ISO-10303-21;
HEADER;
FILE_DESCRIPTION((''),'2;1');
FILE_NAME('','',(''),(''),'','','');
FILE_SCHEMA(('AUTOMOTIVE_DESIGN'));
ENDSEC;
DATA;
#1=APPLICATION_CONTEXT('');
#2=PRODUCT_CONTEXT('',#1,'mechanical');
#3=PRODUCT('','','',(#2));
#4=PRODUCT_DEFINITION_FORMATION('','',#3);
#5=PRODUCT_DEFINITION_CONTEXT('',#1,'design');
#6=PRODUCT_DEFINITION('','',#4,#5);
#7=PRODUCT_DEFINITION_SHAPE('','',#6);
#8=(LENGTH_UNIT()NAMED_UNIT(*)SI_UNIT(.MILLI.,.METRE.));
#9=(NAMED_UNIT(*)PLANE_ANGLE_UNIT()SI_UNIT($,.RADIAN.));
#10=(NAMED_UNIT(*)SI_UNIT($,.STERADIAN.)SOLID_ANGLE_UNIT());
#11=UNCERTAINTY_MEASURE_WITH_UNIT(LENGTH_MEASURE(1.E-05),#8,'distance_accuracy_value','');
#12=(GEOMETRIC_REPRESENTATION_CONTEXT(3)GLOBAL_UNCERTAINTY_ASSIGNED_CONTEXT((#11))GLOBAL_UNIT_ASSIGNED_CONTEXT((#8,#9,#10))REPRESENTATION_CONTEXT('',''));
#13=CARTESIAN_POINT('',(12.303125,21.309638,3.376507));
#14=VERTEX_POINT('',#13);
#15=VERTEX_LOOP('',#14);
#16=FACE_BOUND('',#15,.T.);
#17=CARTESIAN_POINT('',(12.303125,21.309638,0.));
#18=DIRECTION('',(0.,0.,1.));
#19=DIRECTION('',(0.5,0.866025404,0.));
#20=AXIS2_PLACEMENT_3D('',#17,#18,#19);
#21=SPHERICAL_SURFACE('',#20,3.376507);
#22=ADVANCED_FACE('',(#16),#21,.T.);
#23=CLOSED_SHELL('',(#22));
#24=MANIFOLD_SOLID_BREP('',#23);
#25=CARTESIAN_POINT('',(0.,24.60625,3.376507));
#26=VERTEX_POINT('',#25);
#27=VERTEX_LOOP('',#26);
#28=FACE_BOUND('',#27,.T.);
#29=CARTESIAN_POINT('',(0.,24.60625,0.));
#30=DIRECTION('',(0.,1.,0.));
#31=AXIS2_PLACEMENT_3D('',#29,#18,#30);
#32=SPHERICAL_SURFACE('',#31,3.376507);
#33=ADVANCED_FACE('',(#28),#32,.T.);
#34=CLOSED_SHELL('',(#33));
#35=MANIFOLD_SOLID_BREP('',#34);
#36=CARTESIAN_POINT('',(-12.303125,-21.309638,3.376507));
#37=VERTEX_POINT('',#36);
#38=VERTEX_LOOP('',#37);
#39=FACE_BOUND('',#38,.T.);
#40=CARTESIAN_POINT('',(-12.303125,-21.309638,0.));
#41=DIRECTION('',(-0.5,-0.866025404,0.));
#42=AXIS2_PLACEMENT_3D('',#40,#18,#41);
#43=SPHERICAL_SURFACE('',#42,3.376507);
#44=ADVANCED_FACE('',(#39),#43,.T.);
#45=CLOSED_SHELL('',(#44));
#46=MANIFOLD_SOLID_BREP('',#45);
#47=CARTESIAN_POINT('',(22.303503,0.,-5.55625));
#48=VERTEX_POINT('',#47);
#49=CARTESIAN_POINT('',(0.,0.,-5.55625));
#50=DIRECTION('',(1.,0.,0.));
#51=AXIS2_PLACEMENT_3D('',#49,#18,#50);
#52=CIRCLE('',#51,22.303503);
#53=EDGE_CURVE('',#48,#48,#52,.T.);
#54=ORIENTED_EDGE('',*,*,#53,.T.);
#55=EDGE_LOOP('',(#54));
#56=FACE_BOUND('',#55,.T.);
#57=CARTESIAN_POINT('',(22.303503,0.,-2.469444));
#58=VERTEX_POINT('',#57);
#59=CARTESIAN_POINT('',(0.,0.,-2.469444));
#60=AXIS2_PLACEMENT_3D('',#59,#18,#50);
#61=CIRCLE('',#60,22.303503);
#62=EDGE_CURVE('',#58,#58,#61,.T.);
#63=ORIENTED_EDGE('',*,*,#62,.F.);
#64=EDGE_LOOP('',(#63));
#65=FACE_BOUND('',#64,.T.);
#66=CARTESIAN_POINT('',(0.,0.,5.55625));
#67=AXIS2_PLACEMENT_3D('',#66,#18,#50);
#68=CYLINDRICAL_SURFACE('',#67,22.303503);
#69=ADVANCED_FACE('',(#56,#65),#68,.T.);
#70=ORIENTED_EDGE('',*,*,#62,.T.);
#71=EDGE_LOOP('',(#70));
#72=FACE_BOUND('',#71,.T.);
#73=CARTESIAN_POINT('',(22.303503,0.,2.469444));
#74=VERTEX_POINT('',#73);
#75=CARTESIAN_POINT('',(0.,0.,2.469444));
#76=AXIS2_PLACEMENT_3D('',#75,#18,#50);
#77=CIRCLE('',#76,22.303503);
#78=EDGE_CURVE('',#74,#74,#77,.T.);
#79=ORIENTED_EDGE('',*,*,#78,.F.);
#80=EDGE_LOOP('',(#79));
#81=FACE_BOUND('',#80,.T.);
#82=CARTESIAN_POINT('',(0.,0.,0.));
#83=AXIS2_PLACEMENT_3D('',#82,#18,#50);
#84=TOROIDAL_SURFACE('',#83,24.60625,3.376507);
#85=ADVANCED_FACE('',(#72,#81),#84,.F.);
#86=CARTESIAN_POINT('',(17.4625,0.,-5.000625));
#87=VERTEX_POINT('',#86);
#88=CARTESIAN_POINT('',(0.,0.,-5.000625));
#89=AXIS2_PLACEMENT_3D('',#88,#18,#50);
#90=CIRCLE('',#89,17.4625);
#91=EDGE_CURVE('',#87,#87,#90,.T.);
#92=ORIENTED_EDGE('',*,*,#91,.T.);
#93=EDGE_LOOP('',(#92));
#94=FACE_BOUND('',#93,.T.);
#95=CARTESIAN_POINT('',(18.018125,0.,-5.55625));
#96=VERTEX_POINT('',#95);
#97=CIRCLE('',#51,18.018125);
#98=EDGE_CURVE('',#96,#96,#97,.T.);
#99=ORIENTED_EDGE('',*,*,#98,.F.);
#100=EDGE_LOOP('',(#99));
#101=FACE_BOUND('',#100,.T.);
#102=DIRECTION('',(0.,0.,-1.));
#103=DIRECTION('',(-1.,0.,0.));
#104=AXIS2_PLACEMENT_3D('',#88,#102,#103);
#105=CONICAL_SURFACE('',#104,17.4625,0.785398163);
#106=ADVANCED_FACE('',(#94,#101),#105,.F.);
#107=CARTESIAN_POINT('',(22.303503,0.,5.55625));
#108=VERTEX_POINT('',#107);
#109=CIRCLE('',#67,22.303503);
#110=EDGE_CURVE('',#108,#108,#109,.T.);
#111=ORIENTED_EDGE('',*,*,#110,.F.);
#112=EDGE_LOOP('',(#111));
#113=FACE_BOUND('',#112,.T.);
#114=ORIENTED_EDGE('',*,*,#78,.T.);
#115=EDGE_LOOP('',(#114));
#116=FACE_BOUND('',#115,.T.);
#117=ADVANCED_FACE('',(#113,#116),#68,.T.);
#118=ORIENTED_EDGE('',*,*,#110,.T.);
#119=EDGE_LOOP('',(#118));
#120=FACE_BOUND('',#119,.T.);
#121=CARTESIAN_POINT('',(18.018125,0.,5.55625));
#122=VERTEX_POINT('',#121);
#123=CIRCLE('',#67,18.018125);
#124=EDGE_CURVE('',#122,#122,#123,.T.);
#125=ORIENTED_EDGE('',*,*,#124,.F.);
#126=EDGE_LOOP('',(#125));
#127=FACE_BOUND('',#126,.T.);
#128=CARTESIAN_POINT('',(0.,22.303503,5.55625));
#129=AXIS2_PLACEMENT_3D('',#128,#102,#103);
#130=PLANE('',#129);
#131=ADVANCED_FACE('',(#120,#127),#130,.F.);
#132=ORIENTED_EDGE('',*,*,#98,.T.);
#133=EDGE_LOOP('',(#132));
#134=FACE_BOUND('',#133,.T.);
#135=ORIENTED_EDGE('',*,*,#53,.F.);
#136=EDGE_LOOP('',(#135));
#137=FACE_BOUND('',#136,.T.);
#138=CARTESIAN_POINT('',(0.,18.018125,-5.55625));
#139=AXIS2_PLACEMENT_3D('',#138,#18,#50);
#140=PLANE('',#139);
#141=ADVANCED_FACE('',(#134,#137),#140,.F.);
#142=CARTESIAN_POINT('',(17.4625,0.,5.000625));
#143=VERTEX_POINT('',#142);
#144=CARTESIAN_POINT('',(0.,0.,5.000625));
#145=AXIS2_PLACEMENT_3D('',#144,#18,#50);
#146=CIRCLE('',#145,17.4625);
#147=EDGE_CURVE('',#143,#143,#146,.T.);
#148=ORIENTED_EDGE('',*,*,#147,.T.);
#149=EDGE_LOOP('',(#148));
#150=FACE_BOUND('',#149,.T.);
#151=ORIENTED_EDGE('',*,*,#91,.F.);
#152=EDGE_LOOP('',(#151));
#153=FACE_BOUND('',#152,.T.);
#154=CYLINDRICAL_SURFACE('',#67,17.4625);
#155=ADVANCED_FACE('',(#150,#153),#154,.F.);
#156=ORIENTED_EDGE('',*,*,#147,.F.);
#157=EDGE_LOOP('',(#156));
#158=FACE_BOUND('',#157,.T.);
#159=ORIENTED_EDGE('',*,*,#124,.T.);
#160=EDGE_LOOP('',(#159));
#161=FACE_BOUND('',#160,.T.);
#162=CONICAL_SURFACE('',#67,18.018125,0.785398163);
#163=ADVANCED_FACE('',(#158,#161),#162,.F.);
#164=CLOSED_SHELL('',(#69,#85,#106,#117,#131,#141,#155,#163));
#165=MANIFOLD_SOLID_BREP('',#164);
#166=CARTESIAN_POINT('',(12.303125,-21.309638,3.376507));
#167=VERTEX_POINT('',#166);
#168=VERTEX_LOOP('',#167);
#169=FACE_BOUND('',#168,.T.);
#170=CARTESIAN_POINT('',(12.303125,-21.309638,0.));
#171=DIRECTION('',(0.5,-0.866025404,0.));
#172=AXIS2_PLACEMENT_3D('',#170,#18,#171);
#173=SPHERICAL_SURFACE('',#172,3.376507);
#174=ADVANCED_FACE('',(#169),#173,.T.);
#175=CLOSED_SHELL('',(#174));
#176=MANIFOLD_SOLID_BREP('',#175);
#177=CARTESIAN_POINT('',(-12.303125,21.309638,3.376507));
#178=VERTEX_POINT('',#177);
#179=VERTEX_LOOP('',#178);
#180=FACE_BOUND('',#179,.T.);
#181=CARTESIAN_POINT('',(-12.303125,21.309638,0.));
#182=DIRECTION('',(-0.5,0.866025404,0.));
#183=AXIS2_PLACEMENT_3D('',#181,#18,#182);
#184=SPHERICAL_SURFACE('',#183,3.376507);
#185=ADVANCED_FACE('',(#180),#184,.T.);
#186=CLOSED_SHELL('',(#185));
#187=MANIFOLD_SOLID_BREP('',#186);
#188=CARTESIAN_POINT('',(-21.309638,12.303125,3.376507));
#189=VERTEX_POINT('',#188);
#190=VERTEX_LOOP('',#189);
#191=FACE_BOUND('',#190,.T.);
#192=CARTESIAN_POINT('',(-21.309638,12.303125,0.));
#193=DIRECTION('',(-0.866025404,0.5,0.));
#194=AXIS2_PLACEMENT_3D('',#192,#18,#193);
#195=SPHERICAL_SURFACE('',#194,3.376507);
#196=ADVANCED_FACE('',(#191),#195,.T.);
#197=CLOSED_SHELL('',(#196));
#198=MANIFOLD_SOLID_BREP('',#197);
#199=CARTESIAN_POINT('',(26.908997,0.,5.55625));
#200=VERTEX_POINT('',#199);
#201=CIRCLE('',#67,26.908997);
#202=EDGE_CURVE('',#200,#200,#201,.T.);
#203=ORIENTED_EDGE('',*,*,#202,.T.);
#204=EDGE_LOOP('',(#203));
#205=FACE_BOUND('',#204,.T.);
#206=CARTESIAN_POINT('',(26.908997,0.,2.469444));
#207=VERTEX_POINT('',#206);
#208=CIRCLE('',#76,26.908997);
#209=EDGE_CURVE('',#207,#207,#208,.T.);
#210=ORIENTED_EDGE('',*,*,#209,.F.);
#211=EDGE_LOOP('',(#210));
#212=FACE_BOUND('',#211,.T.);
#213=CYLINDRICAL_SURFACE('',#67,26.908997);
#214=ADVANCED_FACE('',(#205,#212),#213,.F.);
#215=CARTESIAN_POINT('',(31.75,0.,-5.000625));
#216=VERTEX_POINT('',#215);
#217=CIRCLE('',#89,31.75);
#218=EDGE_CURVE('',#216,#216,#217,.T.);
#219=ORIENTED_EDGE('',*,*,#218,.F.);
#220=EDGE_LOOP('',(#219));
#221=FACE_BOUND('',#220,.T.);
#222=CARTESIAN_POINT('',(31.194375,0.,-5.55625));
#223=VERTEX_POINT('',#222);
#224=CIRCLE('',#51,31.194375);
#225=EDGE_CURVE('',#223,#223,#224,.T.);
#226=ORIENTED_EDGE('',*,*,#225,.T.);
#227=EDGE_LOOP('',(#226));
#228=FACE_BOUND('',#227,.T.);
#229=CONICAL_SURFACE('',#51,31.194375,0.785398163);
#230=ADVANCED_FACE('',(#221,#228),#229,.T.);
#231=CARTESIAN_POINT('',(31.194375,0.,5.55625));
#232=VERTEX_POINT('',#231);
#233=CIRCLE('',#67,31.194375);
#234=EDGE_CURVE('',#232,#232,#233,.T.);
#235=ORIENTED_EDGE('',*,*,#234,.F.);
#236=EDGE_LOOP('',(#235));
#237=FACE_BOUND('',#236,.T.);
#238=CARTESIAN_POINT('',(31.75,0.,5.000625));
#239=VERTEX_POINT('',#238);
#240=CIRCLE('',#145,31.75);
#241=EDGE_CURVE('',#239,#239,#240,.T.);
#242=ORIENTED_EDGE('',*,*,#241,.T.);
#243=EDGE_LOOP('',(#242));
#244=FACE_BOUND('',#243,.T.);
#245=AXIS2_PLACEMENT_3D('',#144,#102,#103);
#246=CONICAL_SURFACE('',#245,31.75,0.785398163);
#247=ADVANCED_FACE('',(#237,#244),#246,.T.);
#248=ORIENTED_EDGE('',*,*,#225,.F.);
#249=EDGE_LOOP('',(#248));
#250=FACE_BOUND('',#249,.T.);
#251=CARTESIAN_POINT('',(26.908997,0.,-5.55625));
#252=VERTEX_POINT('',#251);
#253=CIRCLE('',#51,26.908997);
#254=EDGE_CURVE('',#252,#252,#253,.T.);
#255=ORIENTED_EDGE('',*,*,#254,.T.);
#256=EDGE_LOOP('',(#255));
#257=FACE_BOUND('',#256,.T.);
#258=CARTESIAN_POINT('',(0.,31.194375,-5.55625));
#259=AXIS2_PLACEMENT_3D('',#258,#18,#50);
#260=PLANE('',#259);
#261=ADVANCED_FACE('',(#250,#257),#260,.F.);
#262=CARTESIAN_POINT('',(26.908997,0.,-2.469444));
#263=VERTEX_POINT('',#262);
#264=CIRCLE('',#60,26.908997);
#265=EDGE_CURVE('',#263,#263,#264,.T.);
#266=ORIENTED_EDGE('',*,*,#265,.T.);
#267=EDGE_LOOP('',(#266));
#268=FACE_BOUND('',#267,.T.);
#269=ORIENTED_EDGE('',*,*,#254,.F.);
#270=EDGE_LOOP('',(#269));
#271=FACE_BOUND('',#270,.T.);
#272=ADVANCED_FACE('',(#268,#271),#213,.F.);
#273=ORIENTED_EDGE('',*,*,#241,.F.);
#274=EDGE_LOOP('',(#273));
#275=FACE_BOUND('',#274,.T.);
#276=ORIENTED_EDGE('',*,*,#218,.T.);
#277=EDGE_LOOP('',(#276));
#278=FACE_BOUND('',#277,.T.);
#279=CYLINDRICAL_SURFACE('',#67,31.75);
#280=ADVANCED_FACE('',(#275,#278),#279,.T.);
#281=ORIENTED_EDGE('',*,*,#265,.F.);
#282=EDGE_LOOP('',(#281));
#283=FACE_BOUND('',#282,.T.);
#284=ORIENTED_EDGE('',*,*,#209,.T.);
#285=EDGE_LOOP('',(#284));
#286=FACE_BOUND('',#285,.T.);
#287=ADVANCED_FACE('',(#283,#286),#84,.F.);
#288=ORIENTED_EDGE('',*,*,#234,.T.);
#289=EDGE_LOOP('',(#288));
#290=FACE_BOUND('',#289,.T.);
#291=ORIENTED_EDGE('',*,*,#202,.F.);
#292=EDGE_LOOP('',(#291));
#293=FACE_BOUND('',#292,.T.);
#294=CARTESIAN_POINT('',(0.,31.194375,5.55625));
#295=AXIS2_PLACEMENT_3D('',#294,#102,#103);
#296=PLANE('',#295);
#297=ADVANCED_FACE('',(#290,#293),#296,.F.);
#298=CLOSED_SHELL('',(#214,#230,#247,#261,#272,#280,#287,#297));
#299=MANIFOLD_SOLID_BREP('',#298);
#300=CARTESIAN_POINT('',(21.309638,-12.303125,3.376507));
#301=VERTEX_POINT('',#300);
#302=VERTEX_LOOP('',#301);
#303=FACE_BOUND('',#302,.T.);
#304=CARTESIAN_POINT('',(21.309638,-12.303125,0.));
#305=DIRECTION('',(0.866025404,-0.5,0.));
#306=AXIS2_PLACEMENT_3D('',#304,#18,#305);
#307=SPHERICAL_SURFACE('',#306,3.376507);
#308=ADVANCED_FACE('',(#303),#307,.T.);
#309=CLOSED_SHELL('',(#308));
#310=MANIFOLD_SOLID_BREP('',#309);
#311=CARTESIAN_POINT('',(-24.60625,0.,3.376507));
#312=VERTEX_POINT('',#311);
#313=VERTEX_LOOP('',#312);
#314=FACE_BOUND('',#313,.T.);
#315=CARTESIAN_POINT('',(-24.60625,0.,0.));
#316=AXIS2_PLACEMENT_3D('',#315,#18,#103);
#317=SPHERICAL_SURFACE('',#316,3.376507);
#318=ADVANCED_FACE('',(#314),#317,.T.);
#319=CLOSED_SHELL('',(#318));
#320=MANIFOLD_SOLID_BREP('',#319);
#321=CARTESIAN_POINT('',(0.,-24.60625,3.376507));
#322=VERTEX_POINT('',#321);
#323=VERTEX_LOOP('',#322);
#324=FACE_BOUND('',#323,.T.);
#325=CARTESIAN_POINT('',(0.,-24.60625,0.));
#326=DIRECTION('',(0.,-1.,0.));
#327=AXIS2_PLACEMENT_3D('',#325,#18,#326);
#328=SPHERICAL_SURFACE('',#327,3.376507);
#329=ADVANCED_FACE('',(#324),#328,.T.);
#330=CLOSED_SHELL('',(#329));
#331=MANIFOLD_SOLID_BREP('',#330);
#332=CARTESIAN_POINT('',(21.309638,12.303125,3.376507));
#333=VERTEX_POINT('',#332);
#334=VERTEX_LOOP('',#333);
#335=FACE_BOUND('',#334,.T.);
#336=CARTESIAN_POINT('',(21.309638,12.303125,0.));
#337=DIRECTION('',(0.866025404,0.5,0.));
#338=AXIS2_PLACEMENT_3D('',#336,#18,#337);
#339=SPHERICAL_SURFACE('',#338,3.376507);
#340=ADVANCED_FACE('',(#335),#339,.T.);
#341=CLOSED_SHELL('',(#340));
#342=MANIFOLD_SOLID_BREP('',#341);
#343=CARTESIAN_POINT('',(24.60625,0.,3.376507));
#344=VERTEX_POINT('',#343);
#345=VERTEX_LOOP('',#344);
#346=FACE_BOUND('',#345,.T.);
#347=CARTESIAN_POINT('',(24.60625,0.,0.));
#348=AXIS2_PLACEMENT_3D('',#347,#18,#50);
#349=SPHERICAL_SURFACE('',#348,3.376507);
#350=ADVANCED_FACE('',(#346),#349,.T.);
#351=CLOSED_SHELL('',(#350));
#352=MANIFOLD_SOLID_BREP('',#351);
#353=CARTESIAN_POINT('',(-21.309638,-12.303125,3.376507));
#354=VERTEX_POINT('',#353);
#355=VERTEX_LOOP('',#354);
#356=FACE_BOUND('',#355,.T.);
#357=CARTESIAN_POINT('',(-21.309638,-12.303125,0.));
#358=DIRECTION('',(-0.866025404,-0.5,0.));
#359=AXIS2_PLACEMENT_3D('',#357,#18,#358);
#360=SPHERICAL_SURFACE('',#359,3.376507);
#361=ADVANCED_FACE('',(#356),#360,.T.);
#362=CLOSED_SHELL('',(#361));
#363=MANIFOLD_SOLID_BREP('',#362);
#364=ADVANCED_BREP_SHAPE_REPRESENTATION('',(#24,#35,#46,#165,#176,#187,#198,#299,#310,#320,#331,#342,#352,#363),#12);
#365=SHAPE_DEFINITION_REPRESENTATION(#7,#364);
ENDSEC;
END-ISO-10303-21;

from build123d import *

# Parameters (mm, degrees)
CIRPATTERN1_COUNT = 12


with BuildPart() as part:
    # Sketch1 → Revolve1 (revolve)
    with BuildSketch(Plane(origin=(0, 0, 0), x_dir=(0, 0, -1), z_dir=(1, 0, 0))):
        with BuildLine():
            Line((5.000625, 31.75), (-5.000625, 31.75))
            Line((-5.000625, 31.75), (-5.55625, 31.194375))
            Line((-5.55625, 31.194375), (-5.55625, 26.908997253))
            Line((-5.55625, 26.908997253), (-2.469444444, 26.908997253))
            ThreePointArc((-2.469444444, 26.908997253), (0, 27.982757186), (2.469444444, 26.908997253))
            Line((2.469444444, 26.908997253), (5.55625, 26.908997253))
            Line((5.55625, 26.908997253), (5.55625, 31.194375))
            Line((5.55625, 31.194375), (5.000625, 31.75))
        make_face()
    revolve(axis=Axis((0, 0, 5.55625), (0, 0, -1)))


with BuildPart() as body_2:
    # Sketch3 → Revolve3 (revolve)
    with BuildSketch(Plane(origin=(0, 0, 0), x_dir=(0, 0, -1), z_dir=(1, 0, 0))):
        with BuildLine():
            Line((-5.55625, 22.303502747), (-2.469444444, 22.303502747))
            ThreePointArc((-2.469444444, 22.303502747), (0, 21.229742814), (2.469444444, 22.303502747))
            Line((2.469444444, 22.303502747), (5.55625, 22.303502747))
            Line((5.55625, 22.303502747), (5.55625, 18.018125))
            Line((5.55625, 18.018125), (5.000625, 17.4625))
            Line((5.000625, 17.4625), (-5.000625, 17.4625))
            Line((-5.000625, 17.4625), (-5.55625, 18.018125))
            Line((-5.55625, 18.018125), (-5.55625, 22.303502747))
        make_face()
    revolve(axis=Axis((0, 0, 5.55625), (0, 0, -1)))


with BuildPart() as body_3:
    # Sketch4 → Revolve4 (revolve)
    with BuildSketch(Plane(origin=(0, 0, 0), x_dir=(0, 0, -1), z_dir=(1, 0, 0))):
        with BuildLine():
            Line((-3.376507186, 24.60625), (3.376507186, 24.60625))
            ThreePointArc((3.376507186, 24.60625), (0, 27.982757186), (-3.376507186, 24.60625))
        make_face()
    revolve(axis=Axis((0, 24.60625, 3.376507186), (0, 0, -1)))


with BuildPart() as cirpattern1_1:
    # CirPattern1: pattern copy
    add(body_3.part.rotate(Axis((0, 0, -5.55625), (0, 0, 1)), 1 * 360 / CIRPATTERN1_COUNT))


with BuildPart() as cirpattern1_2:
    # CirPattern1: pattern copy
    add(body_3.part.rotate(Axis((0, 0, -5.55625), (0, 0, 1)), 2 * 360 / CIRPATTERN1_COUNT))


with BuildPart() as cirpattern1_3:
    # CirPattern1: pattern copy
    add(body_3.part.rotate(Axis((0, 0, -5.55625), (0, 0, 1)), 3 * 360 / CIRPATTERN1_COUNT))


with BuildPart() as cirpattern1_4:
    # CirPattern1: pattern copy
    add(body_3.part.rotate(Axis((0, 0, -5.55625), (0, 0, 1)), 4 * 360 / CIRPATTERN1_COUNT))


with BuildPart() as cirpattern1_5:
    # CirPattern1: pattern copy
    add(body_3.part.rotate(Axis((0, 0, -5.55625), (0, 0, 1)), 5 * 360 / CIRPATTERN1_COUNT))


with BuildPart() as cirpattern1_6:
    # CirPattern1: pattern copy
    add(body_3.part.rotate(Axis((0, 0, -5.55625), (0, 0, 1)), 6 * 360 / CIRPATTERN1_COUNT))


with BuildPart() as cirpattern1_7:
    # CirPattern1: pattern copy
    add(body_3.part.rotate(Axis((0, 0, -5.55625), (0, 0, 1)), 7 * 360 / CIRPATTERN1_COUNT))


with BuildPart() as cirpattern1_8:
    # CirPattern1: pattern copy
    add(body_3.part.rotate(Axis((0, 0, -5.55625), (0, 0, 1)), 8 * 360 / CIRPATTERN1_COUNT))


with BuildPart() as cirpattern1_9:
    # CirPattern1: pattern copy
    add(body_3.part.rotate(Axis((0, 0, -5.55625), (0, 0, 1)), 9 * 360 / CIRPATTERN1_COUNT))


with BuildPart() as cirpattern1_10:
    # CirPattern1: pattern copy
    add(body_3.part.rotate(Axis((0, 0, -5.55625), (0, 0, 1)), 10 * 360 / CIRPATTERN1_COUNT))


with BuildPart() as cirpattern1_11:
    # CirPattern1: pattern copy
    add(body_3.part.rotate(Axis((0, 0, -5.55625), (0, 0, 1)), 11 * 360 / CIRPATTERN1_COUNT))


solid = Compound([part.part, body_2.part, body_3.part, cirpattern1_1.part, cirpattern1_2.part, cirpattern1_3.part, cirpattern1_4.part, cirpattern1_5.part, cirpattern1_6.part, cirpattern1_7.part, cirpattern1_8.part, cirpattern1_9.part, cirpattern1_10.part, cirpattern1_11.part])
